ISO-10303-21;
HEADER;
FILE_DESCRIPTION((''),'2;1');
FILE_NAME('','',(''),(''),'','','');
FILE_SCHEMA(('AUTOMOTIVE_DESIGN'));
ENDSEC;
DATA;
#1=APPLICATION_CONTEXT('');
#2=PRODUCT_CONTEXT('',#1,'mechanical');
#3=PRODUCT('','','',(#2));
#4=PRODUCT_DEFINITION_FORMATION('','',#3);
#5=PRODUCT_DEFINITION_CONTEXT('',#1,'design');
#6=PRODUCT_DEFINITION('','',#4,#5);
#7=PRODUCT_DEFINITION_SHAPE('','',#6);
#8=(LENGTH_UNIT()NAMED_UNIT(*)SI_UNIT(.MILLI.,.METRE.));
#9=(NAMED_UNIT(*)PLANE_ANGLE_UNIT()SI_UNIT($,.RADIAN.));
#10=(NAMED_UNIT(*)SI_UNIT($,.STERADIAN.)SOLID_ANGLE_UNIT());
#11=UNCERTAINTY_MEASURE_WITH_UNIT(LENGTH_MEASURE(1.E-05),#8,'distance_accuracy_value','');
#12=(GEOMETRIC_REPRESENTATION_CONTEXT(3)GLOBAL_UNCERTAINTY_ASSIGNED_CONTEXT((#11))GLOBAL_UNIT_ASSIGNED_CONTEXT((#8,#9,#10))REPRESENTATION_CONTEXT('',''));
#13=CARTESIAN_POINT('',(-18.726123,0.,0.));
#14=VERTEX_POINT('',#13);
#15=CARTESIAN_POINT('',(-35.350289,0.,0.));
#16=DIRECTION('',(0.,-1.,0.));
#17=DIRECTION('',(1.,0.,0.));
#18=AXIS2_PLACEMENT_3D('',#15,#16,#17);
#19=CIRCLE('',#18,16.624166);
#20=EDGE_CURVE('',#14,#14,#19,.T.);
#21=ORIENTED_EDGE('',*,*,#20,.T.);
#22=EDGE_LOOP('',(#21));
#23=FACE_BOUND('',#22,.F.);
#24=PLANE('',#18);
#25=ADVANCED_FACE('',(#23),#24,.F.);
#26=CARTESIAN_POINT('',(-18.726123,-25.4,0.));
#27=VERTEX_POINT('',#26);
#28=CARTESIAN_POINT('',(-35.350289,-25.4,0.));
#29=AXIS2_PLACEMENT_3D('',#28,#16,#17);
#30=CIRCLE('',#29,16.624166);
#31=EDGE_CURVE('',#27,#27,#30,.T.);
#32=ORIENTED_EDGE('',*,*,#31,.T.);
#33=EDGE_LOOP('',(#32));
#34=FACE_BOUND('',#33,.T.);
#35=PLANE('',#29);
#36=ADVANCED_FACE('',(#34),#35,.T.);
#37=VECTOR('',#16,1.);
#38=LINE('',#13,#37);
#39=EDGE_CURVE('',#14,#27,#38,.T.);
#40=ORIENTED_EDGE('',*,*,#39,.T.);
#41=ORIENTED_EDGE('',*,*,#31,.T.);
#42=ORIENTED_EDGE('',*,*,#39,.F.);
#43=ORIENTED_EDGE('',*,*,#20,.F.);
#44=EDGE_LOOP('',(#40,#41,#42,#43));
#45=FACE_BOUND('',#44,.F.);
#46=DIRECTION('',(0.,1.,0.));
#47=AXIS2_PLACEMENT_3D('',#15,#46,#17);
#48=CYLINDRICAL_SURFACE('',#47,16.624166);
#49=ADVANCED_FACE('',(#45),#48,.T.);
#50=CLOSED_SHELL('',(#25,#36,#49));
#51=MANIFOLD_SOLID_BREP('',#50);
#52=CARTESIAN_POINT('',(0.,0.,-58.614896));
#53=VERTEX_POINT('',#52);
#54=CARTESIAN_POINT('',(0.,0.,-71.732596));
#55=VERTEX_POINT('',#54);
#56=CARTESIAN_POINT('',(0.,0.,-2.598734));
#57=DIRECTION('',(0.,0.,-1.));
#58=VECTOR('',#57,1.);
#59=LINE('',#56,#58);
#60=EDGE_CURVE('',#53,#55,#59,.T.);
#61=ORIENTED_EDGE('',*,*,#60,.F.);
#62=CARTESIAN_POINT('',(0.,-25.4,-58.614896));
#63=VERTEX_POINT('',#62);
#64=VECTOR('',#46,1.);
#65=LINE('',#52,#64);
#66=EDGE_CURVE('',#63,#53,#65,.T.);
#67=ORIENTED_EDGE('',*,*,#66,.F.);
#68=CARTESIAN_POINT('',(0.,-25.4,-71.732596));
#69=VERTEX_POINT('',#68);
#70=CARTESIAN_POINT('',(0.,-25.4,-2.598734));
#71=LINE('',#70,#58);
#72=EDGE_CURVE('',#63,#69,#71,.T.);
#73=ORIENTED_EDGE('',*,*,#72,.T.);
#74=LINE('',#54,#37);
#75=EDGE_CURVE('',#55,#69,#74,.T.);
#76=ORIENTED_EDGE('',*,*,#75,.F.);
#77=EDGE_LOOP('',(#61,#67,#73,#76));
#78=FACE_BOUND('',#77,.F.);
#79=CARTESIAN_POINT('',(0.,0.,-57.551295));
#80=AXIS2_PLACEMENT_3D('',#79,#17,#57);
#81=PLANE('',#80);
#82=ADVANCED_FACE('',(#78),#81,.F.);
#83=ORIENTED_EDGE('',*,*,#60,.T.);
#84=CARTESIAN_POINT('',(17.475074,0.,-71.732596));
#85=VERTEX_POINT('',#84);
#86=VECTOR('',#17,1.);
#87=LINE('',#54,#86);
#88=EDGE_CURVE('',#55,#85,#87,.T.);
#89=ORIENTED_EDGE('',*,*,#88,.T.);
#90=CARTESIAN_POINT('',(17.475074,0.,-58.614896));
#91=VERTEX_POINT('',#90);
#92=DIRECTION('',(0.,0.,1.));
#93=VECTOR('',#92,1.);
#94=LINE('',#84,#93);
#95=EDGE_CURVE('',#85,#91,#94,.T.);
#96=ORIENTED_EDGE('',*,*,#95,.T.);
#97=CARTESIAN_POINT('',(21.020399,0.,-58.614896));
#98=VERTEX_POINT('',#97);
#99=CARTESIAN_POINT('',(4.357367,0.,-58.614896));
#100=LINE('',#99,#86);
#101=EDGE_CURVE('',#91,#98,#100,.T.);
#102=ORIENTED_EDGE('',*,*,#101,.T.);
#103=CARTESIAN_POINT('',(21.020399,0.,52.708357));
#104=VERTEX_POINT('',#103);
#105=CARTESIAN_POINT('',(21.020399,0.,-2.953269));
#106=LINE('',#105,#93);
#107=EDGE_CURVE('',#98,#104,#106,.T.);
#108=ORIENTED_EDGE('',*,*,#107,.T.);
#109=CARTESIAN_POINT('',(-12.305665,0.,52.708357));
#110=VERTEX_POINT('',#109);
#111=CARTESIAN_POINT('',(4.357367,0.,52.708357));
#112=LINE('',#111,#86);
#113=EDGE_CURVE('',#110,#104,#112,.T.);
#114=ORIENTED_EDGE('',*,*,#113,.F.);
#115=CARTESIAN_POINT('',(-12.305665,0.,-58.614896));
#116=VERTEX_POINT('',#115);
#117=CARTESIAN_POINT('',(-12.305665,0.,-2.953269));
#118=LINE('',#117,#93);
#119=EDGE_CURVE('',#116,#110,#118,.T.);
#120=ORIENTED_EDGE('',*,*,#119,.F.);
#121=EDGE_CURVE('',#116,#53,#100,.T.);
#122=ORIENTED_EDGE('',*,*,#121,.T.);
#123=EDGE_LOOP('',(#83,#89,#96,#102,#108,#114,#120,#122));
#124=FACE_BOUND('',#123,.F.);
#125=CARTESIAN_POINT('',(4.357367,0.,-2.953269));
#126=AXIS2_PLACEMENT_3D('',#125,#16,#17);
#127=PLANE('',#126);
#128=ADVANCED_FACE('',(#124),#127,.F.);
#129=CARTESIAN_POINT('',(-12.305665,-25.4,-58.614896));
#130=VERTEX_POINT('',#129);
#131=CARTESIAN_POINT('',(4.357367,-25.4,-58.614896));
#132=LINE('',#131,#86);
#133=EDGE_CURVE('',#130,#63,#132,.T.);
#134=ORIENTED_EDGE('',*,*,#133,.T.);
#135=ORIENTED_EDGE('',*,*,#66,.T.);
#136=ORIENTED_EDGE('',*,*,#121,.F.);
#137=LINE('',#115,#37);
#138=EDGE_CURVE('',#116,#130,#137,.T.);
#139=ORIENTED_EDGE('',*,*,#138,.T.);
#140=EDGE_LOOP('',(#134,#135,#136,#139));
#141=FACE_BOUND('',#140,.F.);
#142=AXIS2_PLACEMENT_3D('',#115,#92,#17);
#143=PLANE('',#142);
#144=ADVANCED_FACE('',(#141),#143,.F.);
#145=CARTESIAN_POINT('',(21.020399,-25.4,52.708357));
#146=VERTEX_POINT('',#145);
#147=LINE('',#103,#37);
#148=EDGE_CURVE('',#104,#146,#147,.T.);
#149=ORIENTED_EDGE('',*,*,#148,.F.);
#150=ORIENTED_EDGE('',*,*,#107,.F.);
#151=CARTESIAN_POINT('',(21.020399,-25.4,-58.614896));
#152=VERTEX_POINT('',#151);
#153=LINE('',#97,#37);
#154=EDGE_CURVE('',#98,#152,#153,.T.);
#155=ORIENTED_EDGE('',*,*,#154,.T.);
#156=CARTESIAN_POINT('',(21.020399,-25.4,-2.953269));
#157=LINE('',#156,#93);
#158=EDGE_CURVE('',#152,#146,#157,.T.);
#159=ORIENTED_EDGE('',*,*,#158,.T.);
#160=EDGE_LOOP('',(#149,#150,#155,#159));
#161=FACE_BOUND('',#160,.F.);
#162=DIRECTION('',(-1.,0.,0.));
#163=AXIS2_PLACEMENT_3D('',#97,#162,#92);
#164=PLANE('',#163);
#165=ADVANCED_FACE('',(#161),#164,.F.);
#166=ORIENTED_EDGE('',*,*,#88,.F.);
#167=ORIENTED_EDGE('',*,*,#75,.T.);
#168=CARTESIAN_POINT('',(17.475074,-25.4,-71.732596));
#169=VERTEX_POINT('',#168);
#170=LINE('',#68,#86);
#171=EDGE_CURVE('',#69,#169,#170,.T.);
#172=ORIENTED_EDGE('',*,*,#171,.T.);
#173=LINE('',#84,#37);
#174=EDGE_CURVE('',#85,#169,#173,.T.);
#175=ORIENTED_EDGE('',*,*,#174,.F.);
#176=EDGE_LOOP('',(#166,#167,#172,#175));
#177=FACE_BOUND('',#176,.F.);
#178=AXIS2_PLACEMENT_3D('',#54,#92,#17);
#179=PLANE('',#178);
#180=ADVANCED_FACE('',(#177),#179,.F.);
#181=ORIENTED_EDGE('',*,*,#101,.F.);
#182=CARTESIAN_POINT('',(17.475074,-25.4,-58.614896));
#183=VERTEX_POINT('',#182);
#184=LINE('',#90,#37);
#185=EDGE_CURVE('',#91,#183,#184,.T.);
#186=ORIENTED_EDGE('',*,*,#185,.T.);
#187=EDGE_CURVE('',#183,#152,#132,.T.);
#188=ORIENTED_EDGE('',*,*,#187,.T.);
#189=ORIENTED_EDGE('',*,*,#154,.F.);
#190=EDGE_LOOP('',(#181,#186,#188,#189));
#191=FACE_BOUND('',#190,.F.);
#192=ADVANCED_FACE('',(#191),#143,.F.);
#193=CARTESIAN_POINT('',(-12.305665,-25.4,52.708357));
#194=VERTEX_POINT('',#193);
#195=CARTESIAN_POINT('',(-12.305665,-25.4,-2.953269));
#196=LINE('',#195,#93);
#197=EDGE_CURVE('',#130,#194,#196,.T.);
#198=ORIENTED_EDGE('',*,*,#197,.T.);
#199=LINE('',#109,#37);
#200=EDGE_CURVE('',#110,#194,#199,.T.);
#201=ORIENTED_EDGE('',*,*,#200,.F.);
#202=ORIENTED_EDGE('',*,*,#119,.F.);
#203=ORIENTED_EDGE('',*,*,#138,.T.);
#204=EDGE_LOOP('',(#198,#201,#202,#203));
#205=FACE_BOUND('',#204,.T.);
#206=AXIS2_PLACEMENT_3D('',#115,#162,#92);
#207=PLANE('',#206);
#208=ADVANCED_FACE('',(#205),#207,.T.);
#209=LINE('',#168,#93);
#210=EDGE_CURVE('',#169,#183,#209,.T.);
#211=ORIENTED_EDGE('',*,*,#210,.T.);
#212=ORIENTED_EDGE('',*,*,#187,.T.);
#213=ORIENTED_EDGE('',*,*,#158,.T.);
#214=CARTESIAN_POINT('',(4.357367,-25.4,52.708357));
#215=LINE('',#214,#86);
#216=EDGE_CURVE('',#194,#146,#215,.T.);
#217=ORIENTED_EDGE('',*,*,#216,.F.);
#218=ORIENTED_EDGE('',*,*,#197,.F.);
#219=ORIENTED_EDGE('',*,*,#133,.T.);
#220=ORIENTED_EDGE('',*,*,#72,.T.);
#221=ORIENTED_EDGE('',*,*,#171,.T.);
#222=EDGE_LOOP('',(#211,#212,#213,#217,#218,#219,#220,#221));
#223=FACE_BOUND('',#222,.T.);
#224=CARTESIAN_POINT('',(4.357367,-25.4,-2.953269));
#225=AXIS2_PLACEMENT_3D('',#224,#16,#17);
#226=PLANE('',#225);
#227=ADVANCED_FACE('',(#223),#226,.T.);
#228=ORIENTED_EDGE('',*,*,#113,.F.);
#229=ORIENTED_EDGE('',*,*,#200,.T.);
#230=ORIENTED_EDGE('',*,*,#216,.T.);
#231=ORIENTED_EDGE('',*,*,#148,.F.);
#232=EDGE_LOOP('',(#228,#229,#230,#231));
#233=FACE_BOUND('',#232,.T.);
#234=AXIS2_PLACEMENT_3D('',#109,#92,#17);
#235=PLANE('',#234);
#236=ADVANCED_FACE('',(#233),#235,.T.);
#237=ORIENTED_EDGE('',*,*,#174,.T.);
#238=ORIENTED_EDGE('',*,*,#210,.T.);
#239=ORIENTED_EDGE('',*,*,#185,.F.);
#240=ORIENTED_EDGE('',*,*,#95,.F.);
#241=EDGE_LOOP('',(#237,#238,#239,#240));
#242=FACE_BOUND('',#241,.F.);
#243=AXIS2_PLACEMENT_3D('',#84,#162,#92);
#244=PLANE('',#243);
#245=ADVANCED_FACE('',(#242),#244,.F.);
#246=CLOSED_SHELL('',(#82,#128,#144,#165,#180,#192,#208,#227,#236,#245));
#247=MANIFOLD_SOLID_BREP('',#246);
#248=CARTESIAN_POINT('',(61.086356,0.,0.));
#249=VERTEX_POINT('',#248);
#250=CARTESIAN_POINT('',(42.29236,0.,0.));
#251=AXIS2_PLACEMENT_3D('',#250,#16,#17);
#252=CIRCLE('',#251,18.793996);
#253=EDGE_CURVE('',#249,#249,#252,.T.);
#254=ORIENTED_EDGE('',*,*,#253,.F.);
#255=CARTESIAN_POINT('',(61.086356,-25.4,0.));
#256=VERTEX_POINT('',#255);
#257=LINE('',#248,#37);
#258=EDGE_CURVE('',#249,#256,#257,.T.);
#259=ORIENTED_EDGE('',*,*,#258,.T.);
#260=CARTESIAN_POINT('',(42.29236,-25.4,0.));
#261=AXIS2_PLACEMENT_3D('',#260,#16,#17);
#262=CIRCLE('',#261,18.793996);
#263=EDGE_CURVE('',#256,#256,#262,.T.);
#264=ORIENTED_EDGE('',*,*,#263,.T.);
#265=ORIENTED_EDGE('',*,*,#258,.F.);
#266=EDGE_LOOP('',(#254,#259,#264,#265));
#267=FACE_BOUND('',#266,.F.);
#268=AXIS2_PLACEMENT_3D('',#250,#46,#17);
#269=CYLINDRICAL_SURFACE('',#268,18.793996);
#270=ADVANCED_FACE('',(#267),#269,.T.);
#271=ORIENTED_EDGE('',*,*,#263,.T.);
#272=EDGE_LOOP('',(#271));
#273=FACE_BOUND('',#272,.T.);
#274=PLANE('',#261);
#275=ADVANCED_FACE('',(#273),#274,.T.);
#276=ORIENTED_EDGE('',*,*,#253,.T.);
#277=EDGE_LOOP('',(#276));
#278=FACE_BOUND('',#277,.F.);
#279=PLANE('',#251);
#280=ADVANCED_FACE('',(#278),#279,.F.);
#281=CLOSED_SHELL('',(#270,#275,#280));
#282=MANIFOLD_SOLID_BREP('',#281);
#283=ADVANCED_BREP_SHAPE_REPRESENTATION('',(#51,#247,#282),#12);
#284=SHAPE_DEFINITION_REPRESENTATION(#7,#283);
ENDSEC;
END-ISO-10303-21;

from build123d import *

# Parameters (mm, degrees)
F0_W     = 33.326064
F0_H     = 111.323253
F1_DEPTH = 25.4
F2_R     = 16.624166
F2_R_2   = 18.793996
F3_DEPTH = 25.4
F4_W     = 6.633144
F4_H     = 0.709068
F5_DEPTH = 25.4


with BuildPart() as f1:
    # F0 (on Front) → F1 (new body)
    with BuildSketch(Plane.XZ):
        with Locations((4.357367, -2.953269)):
            Rectangle(F0_W, F0_H)
    extrude(amount=F1_DEPTH)

    # F4 (on Front) → F5 (join)
    with BuildSketch(Plane.XZ):
        Polygon((17.475074, -2.598734), (0, -2.598734), (0, -56.842227), (0, -57.551295), (0, -71.732596), (17.475074, -71.732596), align=None)
        with Locations((-3.316572, -57.196761)):
            Rectangle(F4_W, F4_H)
    extrude(amount=F5_DEPTH)


with BuildPart() as f3:
    # F2 (on Front) → F3 (new body)
    with BuildSketch(Plane.XZ):
        with Locations((-35.350289, 0)):
            Circle(F2_R)
        with Locations((42.29236, 0)):
            Circle(F2_R_2)
    extrude(amount=F3_DEPTH)


solid = Compound([f1.part, f3.part])
